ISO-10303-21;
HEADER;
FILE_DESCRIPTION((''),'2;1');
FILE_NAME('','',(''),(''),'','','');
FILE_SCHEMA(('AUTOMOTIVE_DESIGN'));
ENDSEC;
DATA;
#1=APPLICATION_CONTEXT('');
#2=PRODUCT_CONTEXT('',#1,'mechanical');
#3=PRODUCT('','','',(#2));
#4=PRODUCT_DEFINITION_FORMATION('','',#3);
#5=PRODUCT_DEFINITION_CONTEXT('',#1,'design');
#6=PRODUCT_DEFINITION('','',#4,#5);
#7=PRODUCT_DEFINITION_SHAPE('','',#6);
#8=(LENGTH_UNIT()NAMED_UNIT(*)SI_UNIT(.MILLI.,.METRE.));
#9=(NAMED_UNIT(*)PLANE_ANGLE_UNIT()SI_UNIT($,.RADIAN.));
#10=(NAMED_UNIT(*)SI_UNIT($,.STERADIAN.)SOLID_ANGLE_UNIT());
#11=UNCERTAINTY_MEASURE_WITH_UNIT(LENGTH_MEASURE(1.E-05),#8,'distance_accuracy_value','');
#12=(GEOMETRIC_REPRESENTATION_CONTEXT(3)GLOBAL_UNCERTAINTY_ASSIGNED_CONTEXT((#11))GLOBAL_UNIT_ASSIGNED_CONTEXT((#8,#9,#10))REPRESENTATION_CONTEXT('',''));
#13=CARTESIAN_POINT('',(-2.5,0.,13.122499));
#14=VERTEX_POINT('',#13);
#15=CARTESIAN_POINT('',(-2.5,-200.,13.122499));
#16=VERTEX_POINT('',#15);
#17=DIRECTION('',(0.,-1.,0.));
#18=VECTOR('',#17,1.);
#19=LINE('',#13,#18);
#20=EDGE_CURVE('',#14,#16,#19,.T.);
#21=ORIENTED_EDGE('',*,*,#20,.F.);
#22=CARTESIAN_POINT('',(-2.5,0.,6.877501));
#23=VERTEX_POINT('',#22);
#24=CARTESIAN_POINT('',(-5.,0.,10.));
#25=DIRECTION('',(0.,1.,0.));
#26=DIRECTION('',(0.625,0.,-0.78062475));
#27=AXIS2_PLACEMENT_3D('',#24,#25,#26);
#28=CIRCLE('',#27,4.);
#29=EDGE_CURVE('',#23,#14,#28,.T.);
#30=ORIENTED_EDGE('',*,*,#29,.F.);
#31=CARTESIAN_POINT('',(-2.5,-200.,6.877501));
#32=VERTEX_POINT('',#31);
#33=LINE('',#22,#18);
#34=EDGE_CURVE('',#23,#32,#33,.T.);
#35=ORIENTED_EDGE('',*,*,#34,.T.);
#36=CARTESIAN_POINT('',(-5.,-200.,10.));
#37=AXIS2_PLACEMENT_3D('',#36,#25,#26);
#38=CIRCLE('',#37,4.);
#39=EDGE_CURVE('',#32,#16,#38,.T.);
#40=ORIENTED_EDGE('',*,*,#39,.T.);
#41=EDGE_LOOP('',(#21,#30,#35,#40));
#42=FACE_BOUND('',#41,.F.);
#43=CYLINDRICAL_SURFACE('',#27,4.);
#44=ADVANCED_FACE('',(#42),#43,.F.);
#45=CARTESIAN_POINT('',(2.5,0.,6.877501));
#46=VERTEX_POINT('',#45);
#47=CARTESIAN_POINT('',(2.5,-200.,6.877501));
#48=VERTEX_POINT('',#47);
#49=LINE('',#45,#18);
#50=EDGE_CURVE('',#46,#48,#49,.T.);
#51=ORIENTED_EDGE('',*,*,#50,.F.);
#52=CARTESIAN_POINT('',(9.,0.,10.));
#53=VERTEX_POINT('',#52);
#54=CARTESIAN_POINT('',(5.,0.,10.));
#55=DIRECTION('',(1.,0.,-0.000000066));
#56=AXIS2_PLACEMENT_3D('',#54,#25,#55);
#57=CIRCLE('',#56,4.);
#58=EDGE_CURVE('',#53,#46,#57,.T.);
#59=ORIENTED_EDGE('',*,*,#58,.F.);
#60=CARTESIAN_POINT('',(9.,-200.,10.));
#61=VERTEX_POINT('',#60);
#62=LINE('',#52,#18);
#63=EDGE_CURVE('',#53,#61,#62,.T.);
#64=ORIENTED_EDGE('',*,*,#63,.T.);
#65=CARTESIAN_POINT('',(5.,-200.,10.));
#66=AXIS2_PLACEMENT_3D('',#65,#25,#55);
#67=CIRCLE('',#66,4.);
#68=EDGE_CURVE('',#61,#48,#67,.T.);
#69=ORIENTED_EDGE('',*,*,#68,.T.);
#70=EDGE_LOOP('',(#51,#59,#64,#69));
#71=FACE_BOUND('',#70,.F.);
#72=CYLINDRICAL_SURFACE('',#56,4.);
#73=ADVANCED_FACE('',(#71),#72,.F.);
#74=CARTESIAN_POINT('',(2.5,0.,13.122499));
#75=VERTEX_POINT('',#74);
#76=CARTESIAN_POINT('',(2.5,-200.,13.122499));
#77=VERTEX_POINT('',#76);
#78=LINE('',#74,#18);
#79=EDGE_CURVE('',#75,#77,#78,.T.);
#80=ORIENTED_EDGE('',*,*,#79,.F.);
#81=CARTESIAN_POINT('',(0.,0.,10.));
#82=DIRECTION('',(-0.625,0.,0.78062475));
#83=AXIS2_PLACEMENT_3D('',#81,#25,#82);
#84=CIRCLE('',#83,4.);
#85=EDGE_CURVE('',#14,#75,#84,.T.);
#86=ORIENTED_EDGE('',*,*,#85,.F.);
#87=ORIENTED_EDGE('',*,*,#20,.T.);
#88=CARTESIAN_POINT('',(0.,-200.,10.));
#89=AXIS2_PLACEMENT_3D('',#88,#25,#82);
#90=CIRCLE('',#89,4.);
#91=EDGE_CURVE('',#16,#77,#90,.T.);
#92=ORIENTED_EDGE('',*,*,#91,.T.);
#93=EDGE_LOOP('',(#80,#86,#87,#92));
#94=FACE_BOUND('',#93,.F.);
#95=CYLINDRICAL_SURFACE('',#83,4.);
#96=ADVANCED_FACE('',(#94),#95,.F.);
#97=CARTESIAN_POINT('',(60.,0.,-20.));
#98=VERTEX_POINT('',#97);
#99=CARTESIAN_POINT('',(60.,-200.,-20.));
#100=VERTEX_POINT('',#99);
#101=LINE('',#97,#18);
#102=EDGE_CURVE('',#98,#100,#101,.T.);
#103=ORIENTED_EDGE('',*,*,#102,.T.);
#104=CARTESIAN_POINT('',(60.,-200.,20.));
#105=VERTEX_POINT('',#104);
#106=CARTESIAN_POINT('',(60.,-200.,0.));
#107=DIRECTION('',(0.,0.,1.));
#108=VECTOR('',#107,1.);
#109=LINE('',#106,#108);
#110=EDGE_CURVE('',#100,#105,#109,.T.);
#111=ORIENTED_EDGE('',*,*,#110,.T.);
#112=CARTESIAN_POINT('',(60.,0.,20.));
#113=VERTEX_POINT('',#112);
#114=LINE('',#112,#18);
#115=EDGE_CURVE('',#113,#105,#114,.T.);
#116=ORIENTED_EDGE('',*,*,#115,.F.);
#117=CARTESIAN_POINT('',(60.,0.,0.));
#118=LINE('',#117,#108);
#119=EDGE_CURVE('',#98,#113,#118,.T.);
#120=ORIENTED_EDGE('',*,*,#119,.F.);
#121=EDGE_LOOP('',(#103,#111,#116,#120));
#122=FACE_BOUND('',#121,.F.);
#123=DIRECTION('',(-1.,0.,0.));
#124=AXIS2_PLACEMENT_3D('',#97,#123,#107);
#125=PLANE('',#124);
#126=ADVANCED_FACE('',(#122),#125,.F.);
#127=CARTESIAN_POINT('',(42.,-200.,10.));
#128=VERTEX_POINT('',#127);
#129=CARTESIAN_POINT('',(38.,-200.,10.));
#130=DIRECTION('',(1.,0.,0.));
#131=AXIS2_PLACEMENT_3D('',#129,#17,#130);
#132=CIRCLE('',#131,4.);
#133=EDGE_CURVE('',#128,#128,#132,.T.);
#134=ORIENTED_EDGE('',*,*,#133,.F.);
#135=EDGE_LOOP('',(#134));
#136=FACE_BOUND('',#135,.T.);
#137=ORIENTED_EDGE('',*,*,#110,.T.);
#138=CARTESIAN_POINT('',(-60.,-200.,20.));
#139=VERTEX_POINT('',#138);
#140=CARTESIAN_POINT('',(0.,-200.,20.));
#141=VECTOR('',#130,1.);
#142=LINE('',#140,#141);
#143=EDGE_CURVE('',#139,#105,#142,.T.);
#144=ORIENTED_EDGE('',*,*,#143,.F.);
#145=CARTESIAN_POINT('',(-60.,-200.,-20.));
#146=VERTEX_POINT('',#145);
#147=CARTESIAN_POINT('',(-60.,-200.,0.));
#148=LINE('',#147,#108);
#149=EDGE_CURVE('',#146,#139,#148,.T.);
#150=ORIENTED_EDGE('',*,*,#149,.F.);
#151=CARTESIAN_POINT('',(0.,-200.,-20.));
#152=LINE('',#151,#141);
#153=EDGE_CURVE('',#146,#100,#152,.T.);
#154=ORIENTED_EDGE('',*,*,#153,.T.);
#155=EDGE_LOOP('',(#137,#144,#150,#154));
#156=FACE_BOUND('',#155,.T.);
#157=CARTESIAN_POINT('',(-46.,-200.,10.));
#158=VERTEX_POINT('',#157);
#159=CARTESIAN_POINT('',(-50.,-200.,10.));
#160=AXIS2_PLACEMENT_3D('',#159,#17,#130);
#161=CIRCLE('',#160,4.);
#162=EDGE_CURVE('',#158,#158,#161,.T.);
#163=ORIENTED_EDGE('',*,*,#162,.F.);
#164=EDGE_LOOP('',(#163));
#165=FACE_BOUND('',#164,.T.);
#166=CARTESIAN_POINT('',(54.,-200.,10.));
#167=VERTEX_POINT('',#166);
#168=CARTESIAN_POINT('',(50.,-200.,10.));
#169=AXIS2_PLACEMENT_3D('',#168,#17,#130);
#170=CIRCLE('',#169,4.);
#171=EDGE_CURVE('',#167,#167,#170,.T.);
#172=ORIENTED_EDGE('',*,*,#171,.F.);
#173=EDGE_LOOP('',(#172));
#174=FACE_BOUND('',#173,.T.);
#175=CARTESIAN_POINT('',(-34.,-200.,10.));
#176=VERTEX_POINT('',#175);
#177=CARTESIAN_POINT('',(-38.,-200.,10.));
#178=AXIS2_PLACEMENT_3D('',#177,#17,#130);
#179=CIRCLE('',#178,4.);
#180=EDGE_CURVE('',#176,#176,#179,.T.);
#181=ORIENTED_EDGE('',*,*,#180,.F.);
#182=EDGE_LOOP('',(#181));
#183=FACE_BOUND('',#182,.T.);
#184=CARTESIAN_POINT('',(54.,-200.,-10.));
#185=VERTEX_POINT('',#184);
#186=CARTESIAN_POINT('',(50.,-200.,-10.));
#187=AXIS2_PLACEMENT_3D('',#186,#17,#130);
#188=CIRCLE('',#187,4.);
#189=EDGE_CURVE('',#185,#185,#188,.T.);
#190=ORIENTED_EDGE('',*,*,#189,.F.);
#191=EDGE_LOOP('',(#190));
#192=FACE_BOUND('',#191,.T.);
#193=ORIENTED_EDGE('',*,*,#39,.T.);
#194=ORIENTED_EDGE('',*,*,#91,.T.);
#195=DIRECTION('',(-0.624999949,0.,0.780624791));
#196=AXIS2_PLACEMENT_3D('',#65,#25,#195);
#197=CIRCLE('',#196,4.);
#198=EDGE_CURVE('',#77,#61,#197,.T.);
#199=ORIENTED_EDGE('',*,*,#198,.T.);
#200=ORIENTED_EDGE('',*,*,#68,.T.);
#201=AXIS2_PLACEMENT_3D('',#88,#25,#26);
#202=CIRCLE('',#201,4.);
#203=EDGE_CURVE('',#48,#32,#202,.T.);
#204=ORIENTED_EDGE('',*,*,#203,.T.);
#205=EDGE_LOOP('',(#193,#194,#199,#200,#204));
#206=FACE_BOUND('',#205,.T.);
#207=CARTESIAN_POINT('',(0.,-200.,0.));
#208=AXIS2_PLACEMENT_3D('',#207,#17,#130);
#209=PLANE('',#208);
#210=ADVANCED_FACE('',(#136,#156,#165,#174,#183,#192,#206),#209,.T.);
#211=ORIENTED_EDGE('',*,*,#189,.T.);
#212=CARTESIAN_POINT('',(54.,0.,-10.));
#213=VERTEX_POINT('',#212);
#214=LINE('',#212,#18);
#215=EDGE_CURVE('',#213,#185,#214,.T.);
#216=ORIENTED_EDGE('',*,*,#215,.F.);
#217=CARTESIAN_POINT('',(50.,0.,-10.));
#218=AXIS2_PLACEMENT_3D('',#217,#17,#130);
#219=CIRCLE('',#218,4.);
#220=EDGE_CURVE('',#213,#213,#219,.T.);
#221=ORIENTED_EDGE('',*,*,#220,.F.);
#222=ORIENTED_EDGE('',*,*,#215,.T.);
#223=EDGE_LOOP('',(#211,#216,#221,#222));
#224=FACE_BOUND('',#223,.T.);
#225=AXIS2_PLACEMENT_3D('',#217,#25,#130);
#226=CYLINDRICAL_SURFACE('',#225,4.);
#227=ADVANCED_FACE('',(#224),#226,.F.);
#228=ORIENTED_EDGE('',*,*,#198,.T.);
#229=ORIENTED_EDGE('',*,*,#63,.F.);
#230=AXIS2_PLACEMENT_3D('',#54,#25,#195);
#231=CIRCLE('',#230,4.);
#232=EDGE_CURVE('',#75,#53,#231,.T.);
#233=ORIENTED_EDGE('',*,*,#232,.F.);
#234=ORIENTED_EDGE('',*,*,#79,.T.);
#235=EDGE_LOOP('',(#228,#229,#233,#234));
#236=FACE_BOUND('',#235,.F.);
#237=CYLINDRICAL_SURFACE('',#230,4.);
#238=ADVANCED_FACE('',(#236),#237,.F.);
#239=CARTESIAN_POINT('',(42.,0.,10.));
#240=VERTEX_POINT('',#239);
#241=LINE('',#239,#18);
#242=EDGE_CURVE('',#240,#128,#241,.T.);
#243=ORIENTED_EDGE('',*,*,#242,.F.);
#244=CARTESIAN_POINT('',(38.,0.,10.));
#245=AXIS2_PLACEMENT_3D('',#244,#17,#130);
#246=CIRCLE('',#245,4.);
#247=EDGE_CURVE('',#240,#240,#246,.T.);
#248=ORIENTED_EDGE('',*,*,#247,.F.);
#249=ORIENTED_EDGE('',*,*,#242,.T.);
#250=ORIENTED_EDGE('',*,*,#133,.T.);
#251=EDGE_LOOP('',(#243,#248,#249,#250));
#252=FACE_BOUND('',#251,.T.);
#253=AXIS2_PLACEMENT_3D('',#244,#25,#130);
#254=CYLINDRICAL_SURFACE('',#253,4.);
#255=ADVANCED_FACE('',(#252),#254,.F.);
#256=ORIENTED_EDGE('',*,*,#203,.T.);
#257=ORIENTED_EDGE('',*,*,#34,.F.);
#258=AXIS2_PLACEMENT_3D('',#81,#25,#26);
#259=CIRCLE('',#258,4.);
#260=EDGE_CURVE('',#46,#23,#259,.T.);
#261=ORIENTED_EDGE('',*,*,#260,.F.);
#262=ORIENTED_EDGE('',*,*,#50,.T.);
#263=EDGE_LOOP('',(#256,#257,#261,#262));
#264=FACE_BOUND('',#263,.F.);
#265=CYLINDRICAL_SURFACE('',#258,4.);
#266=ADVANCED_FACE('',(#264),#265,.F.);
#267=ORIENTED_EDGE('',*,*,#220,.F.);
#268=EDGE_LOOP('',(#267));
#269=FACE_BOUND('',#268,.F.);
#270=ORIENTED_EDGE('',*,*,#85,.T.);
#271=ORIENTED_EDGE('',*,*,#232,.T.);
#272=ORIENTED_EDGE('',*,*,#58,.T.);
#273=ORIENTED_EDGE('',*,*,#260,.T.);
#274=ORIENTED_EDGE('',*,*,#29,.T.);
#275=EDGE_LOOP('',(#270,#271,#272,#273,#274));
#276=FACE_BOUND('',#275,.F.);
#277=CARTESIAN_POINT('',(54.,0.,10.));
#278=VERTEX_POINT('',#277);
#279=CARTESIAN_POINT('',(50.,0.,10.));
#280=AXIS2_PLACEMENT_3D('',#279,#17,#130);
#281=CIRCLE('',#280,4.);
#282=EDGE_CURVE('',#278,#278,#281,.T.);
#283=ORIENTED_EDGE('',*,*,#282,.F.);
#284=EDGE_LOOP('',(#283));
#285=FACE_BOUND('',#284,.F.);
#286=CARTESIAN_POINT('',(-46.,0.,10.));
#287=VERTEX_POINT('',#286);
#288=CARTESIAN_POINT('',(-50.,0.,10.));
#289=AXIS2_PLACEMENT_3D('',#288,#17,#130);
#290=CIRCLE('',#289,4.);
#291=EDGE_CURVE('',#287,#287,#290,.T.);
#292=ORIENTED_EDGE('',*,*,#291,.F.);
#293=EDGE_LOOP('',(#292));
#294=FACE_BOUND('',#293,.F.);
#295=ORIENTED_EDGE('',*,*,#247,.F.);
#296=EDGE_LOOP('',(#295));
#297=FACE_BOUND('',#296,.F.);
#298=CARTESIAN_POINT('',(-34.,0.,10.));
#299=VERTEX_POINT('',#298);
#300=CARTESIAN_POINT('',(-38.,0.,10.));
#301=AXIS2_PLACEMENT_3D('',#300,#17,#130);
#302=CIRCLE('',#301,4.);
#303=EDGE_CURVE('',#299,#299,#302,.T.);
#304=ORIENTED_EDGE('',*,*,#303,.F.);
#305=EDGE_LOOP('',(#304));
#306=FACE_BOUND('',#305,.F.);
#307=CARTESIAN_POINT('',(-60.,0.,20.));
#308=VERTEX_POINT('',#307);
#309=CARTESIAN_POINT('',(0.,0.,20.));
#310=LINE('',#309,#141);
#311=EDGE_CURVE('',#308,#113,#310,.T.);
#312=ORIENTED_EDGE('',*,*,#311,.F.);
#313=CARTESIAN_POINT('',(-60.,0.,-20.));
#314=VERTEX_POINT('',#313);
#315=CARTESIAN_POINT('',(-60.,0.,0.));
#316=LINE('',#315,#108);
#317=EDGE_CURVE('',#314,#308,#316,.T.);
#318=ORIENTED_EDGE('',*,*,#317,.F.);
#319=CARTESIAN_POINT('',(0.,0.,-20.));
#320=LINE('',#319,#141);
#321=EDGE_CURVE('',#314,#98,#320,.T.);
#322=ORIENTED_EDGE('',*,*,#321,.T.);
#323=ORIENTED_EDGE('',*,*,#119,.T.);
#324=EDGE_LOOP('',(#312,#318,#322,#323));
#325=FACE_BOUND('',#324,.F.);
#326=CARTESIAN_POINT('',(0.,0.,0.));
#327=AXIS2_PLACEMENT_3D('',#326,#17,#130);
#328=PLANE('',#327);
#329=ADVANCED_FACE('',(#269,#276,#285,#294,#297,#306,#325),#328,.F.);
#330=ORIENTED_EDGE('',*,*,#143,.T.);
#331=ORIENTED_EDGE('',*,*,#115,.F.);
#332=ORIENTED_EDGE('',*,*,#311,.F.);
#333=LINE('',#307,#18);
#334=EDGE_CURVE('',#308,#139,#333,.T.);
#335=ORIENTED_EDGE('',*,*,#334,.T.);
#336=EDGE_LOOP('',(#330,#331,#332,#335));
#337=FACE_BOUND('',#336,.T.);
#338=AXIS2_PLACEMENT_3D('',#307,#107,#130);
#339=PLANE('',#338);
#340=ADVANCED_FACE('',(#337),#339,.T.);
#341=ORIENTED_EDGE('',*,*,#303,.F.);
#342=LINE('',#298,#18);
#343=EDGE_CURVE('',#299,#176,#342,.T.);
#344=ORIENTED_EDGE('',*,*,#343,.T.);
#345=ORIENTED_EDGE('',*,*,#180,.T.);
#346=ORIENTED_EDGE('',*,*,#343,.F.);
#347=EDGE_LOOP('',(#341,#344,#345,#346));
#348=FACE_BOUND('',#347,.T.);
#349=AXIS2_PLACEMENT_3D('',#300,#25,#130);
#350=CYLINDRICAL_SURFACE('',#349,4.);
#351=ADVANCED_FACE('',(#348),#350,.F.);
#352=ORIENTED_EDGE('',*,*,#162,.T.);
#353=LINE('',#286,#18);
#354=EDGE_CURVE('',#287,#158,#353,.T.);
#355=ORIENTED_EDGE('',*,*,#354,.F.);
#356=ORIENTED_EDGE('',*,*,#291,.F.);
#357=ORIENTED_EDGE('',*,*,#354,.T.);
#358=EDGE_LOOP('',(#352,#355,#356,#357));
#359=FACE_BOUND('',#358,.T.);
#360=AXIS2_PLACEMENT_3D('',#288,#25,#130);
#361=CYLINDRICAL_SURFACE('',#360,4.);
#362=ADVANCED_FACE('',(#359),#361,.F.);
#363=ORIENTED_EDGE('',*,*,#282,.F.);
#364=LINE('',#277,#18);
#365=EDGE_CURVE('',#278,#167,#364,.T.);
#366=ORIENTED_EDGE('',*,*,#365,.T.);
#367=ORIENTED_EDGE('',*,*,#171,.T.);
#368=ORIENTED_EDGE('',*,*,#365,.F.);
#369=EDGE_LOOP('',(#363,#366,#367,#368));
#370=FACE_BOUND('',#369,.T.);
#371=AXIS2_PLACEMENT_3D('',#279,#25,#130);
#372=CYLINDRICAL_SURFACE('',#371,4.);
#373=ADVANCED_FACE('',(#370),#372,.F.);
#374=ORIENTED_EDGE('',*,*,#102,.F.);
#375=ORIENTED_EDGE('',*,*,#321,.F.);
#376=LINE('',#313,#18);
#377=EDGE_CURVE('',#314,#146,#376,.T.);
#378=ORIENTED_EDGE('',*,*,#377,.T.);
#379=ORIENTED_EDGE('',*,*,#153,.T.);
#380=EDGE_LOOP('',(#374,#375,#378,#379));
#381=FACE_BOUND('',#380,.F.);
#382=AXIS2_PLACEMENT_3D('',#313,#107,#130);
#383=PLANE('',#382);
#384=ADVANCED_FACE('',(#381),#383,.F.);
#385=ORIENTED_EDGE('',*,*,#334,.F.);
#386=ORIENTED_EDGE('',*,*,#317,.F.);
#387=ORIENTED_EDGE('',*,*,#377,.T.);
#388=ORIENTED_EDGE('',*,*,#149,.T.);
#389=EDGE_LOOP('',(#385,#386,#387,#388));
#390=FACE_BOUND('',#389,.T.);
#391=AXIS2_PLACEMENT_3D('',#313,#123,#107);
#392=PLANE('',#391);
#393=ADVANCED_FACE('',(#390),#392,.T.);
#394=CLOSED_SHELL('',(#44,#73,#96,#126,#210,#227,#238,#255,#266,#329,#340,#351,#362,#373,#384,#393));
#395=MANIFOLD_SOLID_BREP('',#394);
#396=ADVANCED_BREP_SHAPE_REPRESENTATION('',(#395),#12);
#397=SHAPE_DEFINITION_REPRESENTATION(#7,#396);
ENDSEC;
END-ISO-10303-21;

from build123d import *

# Parameters (mm, degrees)
F0_W     = 120
F0_H     = 40
F0_R     = 4
F1_DEPTH = 200


with BuildPart() as f1:
    # F0 (on Front) → F1 (new body)
    with BuildSketch(Plane.XZ):
        Rectangle(F0_W, F0_H)
        with Locations((50, -10)):
            Circle(F0_R, mode=Mode.SUBTRACT)
        with Locations((-50, 10)):
            Circle(F0_R, mode=Mode.SUBTRACT)
        with Locations((-38, 10)):
            Circle(F0_R, mode=Mode.SUBTRACT)
        with BuildLine():
            ThreePointArc((2.5, 13.122499), (6.732051, 13.605551), (9, 10))
            ThreePointArc((9, 10), (6.732051, 6.394449), (2.5, 6.877501))
            ThreePointArc((2.5, 6.877501), (0, 6), (-2.5, 6.877501))
            ThreePointArc((-2.5, 6.877501), (-9, 10), (-2.5, 13.122499))
            ThreePointArc((-2.5, 13.122499), (0, 14), (2.5, 13.122499))
        make_face(mode=Mode.SUBTRACT)
        with Locations((38, 10)):
            Circle(F0_R, mode=Mode.SUBTRACT)
        with Locations((50, 10)):
            Circle(F0_R, mode=Mode.SUBTRACT)
    extrude(amount=F1_DEPTH)


solid = f1.part
